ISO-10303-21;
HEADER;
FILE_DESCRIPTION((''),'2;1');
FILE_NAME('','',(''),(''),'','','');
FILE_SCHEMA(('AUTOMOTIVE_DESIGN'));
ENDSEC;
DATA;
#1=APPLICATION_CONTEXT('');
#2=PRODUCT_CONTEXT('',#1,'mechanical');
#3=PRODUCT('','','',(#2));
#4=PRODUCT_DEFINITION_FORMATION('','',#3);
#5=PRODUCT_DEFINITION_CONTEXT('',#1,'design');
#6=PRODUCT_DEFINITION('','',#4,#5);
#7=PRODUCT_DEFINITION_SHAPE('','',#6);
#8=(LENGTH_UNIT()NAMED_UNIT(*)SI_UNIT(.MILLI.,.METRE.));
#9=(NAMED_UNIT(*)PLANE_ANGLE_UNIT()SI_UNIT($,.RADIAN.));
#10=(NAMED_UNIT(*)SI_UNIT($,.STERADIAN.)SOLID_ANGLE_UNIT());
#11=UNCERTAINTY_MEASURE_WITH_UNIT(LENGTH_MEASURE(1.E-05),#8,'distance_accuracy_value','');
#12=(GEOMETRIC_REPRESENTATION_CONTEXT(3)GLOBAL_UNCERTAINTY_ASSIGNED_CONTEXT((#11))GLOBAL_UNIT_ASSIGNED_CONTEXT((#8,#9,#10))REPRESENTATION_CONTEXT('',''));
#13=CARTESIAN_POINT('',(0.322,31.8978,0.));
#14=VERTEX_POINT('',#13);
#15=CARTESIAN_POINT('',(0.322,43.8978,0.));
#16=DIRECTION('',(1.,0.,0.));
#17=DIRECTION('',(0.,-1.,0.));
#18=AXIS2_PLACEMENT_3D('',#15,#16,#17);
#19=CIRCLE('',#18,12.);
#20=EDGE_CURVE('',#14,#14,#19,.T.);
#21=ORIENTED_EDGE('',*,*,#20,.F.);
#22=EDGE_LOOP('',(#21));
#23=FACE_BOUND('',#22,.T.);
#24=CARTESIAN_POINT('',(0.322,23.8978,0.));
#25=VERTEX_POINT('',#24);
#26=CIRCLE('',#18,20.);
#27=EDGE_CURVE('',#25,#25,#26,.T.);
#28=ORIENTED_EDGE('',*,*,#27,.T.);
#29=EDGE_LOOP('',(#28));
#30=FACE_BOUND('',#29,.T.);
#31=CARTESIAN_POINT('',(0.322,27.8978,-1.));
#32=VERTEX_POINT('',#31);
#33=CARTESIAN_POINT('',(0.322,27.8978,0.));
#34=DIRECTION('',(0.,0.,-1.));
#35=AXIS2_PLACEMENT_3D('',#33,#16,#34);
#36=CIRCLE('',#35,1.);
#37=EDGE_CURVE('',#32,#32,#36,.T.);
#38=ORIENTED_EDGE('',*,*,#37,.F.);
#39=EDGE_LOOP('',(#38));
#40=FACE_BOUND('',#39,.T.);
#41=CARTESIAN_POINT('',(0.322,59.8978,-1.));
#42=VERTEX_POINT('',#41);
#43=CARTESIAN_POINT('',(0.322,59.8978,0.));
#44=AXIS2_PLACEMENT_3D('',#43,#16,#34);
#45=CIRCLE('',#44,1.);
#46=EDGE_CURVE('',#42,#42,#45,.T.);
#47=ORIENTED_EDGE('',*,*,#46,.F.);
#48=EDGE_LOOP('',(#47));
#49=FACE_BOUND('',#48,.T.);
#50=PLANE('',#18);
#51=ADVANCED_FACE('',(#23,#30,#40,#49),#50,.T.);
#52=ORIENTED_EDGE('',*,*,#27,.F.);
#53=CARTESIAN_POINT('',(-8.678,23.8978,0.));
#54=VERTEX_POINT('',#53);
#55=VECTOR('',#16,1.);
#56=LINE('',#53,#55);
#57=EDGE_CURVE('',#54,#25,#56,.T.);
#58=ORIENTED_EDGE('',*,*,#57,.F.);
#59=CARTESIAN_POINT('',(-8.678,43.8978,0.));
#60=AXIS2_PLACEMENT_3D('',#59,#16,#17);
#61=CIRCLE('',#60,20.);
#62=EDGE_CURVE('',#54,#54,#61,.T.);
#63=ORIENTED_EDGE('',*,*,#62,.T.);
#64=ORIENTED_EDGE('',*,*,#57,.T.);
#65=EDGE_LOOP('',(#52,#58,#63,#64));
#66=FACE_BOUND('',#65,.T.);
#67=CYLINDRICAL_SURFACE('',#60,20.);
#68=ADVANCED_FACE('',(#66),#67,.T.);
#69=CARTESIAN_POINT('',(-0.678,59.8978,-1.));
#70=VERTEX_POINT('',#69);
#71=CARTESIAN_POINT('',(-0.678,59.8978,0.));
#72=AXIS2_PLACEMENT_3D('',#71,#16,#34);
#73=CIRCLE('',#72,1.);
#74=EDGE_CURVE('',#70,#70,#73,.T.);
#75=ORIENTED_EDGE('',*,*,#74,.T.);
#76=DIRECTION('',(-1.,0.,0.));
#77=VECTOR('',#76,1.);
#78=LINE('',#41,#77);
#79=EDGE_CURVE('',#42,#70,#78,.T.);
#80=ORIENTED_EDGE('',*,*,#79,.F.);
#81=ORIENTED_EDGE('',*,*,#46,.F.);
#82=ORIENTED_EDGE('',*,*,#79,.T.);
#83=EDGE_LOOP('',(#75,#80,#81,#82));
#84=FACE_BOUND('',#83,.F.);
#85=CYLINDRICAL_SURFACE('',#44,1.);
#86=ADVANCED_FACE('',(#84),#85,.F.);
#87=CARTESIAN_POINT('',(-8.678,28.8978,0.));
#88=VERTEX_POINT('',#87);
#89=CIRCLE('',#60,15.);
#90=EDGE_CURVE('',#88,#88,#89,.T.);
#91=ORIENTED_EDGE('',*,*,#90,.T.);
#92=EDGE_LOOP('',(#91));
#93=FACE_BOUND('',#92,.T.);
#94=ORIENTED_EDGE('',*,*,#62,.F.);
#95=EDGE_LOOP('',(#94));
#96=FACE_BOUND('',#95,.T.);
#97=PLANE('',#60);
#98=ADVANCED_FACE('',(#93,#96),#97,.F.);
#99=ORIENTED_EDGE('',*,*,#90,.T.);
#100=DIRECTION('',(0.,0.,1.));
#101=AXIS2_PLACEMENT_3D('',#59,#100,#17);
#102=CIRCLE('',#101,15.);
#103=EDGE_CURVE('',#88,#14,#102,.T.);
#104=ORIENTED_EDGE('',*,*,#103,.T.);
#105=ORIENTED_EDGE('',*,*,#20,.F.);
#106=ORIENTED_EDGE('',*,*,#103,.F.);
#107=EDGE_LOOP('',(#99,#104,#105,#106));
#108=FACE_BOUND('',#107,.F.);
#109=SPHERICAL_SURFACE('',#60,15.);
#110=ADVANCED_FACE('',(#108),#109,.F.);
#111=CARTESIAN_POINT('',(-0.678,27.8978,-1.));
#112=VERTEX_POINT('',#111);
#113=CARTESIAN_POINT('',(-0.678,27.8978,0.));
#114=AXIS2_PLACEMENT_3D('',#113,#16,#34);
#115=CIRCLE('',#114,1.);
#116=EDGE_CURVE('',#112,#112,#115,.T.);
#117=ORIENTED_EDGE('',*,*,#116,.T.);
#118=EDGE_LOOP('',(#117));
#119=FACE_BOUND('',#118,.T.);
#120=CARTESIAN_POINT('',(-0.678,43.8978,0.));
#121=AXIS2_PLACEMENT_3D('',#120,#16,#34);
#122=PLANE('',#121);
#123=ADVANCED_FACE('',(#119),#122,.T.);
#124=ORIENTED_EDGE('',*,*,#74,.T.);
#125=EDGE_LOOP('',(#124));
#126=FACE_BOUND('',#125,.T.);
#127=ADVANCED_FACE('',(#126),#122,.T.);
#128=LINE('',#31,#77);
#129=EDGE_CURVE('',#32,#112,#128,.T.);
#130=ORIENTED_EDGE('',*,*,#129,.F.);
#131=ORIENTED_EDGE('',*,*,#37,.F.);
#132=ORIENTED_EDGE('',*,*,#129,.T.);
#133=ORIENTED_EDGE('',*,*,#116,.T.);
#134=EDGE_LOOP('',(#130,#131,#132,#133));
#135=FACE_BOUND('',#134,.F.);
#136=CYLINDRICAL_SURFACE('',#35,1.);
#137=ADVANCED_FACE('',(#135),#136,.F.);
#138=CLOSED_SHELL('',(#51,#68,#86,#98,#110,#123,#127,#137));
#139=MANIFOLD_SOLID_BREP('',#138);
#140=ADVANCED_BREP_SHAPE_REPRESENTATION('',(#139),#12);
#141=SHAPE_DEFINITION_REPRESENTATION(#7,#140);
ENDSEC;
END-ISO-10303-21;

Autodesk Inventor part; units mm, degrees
ref_plane "YZ Plane" through (0, 0, 0) normal (1, 0, 0) x (0, 1, 0)
ref_plane "XZ Plane" through (0, 0, 0) normal (0, 1, 0) x (-1, 0, 0)
ref_plane "Work Plane1" through (0, 0, 0) normal (0, 0, 1) x (1, 0, 0)
sketch "Sketch1" plane through (0, 0, 0) normal (0, 0, 1) x (1, 0, 0)
  line L0 (-8.678, -58.5397) -> (-8.678, 43.8978) construction
  line L1 (1.322, -54.9064) -> (1.322, 43.8978) construction
  circle A0 centre (-8.678, 43.8978) radius 15 construction
  line L2 (-8.678, 23.8978) -> (1.322, 23.8978) construction
  line L3 (0.322, 23.8978) -> (0.322, 31.8978)
  line L4 (-8.678, 28.8978) -> (-8.678, 23.8978)
  line L5 (-8.678, 23.8978) -> (0.322, 23.8978)
  arc A1 (-8.678, 28.8978) -> (0.322, 31.8978) centre (-8.678, 43.8978) ccw
  line L6 (-8.678, 43.8978) -> (1.322, 43.8978) construction
  point P0 (0, 0)
  dimension "d0" = 1
revolve "Revolution1" add sketch "Sketch1" angle 360 about axis through (-8.678, 43.8978, 0) along (1, 0, 0)
thread "Thread2" size "M40x1.5" class "6g" standard "ISO Metric profile" length 9
sketch "Sketch9" plane through (0.322, 43.8978, 0) normal (1, 0, 0) x (0, 0, -1)
  circle A0 centre (0, 0) radius 12 construction
  circle A1 centre (0, 0) radius 20 construction
  circle A2 centre (0, 0) radius 16 construction
  line L0 (0, -56.6773) -> (0, 32.7796) construction
  circle A3 centre (0, -16) radius 1
  circle A4 centre (0, 16) radius 1
  point P0 (0, -43.8978)
  dimension "d49" = 4
  dimension "d50" = 8
  dimension "d51" = 2
  dimension "d52" = 2
extrude "Extrusion2" cut sketch "Sketch9" against normal blind 1
equation "\"d49\" = 0.5 * d50"
equation "\"d52\" = d51"
equation "\"d11\" = 55deg"
equation "\"Sketch2_Pitch\" = 1.5"
equation "\"d32\" = 55deg"
equation "\"Sketch5_Pitch\" = 1.5"
properties part number "MCEN4000:T6" material "STEEL, AISI 1040"
